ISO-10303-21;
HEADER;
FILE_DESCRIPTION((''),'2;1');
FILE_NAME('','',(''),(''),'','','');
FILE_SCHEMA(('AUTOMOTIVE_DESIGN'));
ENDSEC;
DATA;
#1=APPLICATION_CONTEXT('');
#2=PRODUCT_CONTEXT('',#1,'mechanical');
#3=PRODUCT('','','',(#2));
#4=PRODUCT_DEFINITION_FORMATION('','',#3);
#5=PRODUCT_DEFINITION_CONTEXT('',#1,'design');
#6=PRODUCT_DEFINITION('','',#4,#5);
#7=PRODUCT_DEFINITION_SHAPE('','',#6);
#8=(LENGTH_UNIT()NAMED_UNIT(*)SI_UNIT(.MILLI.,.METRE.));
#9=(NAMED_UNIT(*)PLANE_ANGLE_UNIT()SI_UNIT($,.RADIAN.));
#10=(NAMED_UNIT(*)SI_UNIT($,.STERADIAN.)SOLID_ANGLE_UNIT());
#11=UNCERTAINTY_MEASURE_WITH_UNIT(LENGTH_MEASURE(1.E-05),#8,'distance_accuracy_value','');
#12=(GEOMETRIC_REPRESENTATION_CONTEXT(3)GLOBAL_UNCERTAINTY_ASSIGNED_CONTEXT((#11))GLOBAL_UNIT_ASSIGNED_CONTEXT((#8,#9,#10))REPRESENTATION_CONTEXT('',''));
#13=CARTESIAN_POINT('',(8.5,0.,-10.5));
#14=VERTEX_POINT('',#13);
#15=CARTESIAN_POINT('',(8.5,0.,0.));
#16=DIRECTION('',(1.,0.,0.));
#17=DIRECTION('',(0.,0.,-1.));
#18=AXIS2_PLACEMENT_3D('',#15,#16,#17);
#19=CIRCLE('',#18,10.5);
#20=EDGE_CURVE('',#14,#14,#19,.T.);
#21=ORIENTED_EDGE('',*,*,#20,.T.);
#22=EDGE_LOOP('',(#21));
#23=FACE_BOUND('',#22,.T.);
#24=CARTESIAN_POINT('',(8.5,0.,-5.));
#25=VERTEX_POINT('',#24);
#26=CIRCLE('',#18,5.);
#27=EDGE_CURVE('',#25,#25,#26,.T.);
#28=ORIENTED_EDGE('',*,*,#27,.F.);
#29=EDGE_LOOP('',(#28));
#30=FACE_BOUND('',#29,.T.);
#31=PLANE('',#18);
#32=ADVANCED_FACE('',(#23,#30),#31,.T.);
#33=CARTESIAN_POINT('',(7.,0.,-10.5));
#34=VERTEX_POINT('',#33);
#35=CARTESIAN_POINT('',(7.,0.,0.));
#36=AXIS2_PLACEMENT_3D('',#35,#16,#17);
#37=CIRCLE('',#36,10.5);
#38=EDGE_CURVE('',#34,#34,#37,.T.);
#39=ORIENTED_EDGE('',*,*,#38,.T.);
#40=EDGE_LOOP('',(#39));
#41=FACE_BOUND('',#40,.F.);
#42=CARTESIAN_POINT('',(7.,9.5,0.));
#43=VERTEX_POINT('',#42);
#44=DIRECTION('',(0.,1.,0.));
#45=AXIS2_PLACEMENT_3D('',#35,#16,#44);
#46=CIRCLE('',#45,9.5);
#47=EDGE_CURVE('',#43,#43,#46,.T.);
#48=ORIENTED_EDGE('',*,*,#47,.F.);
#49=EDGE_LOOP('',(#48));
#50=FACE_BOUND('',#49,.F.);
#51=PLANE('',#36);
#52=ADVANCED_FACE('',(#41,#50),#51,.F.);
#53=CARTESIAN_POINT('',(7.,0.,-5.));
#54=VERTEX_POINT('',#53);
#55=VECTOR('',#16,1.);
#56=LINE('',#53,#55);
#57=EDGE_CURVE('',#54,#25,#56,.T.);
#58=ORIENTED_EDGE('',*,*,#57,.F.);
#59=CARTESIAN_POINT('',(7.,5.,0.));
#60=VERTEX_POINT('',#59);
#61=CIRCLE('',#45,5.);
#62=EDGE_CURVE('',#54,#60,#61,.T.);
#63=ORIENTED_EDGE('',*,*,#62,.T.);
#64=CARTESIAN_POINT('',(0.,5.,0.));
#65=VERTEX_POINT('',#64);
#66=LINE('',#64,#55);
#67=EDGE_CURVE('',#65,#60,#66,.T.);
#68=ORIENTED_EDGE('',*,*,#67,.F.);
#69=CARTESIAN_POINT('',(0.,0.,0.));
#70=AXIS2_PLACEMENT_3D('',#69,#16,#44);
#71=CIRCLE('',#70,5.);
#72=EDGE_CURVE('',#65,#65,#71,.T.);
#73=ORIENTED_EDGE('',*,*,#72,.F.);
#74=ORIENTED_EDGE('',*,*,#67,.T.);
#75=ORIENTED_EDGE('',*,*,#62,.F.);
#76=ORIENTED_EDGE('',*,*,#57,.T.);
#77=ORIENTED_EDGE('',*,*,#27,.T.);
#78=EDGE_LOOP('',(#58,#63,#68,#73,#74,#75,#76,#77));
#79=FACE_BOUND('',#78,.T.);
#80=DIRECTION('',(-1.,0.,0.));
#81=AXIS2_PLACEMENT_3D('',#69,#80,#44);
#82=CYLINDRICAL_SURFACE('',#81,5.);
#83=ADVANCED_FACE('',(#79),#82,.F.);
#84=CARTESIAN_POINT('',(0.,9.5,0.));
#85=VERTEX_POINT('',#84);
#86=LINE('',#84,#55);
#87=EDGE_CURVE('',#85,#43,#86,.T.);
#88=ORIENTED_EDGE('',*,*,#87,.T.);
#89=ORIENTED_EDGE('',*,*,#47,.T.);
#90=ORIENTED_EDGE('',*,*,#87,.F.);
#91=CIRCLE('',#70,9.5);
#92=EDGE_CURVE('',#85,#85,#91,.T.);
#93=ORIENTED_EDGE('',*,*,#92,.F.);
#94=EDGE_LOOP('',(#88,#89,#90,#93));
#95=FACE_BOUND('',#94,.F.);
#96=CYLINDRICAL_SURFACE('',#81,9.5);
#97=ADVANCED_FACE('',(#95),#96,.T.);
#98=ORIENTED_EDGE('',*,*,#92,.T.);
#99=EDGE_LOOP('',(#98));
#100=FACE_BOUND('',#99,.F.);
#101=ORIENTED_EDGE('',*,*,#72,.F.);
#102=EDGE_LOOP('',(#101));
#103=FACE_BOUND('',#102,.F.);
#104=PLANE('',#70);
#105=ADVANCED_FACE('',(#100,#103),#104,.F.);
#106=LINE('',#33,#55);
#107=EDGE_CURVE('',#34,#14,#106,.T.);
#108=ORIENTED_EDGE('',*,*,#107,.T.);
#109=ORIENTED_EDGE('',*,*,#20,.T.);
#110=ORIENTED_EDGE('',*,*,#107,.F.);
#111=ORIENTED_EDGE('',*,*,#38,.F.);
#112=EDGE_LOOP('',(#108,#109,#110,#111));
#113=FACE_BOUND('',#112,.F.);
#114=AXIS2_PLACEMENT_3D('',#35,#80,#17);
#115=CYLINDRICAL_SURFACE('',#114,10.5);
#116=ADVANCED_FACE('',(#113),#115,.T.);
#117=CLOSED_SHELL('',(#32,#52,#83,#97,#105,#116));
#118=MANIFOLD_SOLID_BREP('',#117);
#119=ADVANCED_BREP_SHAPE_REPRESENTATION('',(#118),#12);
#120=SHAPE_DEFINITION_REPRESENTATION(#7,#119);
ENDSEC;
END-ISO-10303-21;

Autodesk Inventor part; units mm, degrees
ref_plane "YZ Plane" through (0, 0, 0) normal (1, 0, 0) x (0, 1, 0)
ref_plane "XZ Plane" through (0, 0, 0) normal (0, 1, 0) x (-1, 0, 0)
ref_plane "XY Plane" through (0, 0, 0) normal (0, 0, 1) x (1, 0, 0)
sketch "Sketch1" plane through (0, 0, 0) normal (1, 0, 0) x (0, 1, 0)
  circle A0 centre (0, 0) radius 5
  circle A1 centre (0, 0) radius 9.5
  dimension "d0" = 10
  dimension "d1" = 19
extrude "Extrusion1" add sketch "Sketch1" along normal blind 7
sketch "Sketch2" plane through (7, 0, 0) normal (1, 0, 0) x (0, 0, -1)
  circle A0 centre (0, 0) radius 5
  circle A1 centre (0, 0) radius 10.5
  dimension "d4" = 10
  dimension "d5" = 21
extrude "Extrusion2" add sketch "Sketch2" along normal blind 1.5
properties part number "F63800zz" material "Stainless Steel"
